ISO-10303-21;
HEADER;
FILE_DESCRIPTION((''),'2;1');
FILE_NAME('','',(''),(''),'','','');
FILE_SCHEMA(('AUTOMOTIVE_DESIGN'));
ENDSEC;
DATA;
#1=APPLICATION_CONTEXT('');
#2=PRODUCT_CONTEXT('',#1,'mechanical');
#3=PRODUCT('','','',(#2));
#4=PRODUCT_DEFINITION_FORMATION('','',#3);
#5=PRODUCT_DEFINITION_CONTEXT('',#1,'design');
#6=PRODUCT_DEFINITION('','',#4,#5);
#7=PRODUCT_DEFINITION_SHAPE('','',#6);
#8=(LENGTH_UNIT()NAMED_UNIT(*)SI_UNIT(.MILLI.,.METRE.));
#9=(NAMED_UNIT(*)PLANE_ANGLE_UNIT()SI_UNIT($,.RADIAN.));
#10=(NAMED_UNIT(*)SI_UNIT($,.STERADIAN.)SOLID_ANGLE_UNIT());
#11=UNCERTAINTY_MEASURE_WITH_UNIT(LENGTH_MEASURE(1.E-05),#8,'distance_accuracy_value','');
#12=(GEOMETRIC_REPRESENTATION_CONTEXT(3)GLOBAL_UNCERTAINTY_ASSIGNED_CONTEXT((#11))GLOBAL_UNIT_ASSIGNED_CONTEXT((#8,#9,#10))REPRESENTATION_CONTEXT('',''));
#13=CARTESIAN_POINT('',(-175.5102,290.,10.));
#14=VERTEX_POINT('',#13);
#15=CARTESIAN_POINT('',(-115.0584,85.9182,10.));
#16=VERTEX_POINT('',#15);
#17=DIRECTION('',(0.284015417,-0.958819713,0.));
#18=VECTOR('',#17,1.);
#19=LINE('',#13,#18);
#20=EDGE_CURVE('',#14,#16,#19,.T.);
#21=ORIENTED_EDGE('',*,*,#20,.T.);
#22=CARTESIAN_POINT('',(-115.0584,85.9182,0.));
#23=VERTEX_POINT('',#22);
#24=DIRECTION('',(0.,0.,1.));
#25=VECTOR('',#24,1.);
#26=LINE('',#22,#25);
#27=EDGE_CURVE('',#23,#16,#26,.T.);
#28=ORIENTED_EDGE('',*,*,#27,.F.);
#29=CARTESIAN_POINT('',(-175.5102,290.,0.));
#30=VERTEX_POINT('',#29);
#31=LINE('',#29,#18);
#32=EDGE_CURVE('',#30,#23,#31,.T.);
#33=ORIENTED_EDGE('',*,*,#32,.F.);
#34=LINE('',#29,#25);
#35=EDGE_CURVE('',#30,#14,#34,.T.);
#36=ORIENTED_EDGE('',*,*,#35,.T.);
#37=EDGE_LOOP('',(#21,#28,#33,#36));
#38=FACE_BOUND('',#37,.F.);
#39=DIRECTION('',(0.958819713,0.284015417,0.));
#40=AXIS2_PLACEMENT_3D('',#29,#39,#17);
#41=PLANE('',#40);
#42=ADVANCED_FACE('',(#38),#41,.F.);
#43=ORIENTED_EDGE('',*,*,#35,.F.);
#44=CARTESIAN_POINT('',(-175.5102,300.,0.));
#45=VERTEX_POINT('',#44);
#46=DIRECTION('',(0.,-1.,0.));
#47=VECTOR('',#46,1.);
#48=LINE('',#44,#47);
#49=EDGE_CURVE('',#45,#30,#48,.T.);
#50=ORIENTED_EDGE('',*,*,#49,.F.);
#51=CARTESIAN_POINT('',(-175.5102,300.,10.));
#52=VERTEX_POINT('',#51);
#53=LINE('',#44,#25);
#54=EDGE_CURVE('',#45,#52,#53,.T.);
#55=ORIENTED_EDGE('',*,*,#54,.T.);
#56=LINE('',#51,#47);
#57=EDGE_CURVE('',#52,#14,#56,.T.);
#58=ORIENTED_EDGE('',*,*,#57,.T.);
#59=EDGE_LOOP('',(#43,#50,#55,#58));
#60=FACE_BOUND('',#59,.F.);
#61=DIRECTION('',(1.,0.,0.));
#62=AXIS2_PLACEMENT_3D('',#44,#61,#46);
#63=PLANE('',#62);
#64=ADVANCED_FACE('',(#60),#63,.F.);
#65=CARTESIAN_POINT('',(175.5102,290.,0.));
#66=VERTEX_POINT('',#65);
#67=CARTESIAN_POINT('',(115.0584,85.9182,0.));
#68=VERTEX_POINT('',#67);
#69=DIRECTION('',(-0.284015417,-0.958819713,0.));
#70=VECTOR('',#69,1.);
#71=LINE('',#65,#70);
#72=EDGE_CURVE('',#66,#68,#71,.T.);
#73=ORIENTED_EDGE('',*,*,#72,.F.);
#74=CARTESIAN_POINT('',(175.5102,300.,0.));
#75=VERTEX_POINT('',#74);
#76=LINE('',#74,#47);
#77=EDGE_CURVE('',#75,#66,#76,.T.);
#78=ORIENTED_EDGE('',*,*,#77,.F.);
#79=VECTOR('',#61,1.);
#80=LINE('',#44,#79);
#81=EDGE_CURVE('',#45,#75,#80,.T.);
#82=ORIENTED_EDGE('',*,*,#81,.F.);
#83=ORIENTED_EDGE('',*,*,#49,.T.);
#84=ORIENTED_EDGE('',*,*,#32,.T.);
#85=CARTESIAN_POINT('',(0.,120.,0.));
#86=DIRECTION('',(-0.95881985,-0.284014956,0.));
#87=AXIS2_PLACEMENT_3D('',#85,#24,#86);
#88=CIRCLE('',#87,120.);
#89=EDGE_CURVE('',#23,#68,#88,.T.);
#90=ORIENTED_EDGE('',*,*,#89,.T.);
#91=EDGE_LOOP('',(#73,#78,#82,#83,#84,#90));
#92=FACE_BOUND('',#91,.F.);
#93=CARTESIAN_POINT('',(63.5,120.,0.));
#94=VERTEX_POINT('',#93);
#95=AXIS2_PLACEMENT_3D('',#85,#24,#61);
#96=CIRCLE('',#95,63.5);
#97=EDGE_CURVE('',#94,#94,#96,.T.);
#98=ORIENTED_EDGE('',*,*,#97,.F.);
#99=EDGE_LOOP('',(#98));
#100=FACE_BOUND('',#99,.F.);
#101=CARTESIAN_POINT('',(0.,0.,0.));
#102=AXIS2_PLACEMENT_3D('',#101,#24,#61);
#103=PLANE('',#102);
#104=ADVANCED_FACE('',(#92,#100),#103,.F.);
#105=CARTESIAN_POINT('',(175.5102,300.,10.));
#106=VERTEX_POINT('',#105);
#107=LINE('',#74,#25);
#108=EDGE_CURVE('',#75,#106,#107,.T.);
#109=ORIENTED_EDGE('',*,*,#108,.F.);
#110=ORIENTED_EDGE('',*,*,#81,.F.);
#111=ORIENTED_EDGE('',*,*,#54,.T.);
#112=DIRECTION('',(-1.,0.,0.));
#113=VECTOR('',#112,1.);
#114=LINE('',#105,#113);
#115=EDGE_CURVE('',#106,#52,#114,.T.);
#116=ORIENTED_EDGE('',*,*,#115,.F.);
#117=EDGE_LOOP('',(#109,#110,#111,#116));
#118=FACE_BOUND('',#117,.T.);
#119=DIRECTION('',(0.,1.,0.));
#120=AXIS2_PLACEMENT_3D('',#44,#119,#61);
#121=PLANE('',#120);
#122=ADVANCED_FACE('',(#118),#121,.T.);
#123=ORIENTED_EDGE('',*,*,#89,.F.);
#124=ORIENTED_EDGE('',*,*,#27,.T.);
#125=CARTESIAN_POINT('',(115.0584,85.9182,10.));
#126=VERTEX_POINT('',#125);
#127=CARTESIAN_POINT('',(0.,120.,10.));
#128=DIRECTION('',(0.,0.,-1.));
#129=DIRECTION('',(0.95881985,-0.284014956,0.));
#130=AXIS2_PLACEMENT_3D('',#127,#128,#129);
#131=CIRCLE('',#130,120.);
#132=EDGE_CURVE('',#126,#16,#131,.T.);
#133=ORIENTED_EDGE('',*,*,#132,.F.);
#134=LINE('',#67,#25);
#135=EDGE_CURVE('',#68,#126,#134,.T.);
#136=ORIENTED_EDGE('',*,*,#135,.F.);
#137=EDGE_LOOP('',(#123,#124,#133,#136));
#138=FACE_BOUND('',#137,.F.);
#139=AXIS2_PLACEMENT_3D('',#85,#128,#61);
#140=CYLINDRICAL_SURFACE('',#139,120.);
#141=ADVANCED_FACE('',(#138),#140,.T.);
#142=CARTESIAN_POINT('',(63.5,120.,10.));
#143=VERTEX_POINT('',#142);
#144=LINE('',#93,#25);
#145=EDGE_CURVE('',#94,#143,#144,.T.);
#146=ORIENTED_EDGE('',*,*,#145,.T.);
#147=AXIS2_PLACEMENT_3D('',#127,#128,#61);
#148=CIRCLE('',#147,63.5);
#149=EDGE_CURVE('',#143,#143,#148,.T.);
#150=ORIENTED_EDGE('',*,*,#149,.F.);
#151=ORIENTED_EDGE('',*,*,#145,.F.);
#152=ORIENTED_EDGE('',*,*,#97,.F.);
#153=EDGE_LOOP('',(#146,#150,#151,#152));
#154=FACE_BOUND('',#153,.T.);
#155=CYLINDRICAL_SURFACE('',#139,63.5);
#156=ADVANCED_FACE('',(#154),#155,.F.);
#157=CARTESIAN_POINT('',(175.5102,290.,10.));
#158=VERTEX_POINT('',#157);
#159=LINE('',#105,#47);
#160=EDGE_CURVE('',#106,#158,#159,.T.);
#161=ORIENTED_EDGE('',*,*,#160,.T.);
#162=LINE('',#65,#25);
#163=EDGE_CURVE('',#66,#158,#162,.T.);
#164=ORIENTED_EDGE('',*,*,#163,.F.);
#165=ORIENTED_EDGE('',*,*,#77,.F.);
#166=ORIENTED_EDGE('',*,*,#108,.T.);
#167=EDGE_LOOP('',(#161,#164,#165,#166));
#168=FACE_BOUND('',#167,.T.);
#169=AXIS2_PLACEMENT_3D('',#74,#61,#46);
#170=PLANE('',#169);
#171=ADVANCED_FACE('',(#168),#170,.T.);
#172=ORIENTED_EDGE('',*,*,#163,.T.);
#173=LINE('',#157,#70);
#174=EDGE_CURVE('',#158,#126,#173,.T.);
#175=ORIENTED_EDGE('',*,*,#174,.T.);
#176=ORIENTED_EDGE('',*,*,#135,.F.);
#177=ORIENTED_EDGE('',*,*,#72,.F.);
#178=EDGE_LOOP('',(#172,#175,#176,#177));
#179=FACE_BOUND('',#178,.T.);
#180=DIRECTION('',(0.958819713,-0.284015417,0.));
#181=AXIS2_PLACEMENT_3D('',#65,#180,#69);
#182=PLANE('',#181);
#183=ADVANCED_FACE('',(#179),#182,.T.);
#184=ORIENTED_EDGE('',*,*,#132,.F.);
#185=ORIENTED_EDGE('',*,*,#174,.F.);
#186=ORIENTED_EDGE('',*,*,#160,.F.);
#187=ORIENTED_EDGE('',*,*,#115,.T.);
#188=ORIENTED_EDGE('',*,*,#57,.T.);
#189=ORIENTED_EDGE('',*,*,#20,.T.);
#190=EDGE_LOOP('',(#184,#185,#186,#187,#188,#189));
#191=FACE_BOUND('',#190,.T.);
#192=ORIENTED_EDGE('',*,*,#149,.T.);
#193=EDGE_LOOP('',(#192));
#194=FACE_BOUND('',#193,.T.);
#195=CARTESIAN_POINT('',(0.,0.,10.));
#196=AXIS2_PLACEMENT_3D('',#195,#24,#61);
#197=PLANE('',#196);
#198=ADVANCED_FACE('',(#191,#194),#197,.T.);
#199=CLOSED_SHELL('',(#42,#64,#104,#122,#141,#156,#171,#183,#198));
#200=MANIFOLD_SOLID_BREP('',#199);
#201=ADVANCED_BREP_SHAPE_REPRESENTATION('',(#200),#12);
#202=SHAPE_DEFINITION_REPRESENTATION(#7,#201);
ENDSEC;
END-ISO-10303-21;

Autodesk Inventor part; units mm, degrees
ref_plane "YZ Plane" through (0, 0, 0) normal (1, 0, 0) x (0, 1, 0)
ref_plane "XZ Plane" through (0, 0, 0) normal (0, 1, 0) x (-1, 0, 0)
ref_plane "XY Plane" through (0, 0, 0) normal (0, 0, 1) x (1, 0, 0)
sketch "Sketch1" plane through (0, 0, 0) normal (0, 0, 1) x (1, 0, 0)
  line L0 (0, 0) -> (0, 300)
  line L1 (-175.5102, 300) -> (175.5102, 300)
  circle A0 centre (0, 120) radius 63.5
  circle A1 centre (0, 120) radius 120
  line L2 (-175.5102, 300) -> (-175.5102, 290)
  line L3 (-175.5102, 290) -> (-115.0584, 85.9182)
  line L4 (175.5102, 300) -> (175.5102, 290)
  line L5 (175.5102, 290) -> (115.0584, 85.9182)
  dimension "d0" = 300
  dimension "d1" = 351.0203
  dimension "d2" = 127
  dimension "d4" = 10
  dimension "d17" = 33
  dimension "d18" = 240
extrude "Plate1" add sketch "Sketch1" along normal blind 10 contours A1 L0 A0 | L0 A0 A1 | L3 L2 L1 L0 A1 | A1 L0 L1 L4 L5
equation "\"d5\" = Thickness"
equation "\"BendReliefDepth\" = 0.5 * Thickness"
equation "\"Thickness\" = 10"
properties part number "NVPH-302 front side"
